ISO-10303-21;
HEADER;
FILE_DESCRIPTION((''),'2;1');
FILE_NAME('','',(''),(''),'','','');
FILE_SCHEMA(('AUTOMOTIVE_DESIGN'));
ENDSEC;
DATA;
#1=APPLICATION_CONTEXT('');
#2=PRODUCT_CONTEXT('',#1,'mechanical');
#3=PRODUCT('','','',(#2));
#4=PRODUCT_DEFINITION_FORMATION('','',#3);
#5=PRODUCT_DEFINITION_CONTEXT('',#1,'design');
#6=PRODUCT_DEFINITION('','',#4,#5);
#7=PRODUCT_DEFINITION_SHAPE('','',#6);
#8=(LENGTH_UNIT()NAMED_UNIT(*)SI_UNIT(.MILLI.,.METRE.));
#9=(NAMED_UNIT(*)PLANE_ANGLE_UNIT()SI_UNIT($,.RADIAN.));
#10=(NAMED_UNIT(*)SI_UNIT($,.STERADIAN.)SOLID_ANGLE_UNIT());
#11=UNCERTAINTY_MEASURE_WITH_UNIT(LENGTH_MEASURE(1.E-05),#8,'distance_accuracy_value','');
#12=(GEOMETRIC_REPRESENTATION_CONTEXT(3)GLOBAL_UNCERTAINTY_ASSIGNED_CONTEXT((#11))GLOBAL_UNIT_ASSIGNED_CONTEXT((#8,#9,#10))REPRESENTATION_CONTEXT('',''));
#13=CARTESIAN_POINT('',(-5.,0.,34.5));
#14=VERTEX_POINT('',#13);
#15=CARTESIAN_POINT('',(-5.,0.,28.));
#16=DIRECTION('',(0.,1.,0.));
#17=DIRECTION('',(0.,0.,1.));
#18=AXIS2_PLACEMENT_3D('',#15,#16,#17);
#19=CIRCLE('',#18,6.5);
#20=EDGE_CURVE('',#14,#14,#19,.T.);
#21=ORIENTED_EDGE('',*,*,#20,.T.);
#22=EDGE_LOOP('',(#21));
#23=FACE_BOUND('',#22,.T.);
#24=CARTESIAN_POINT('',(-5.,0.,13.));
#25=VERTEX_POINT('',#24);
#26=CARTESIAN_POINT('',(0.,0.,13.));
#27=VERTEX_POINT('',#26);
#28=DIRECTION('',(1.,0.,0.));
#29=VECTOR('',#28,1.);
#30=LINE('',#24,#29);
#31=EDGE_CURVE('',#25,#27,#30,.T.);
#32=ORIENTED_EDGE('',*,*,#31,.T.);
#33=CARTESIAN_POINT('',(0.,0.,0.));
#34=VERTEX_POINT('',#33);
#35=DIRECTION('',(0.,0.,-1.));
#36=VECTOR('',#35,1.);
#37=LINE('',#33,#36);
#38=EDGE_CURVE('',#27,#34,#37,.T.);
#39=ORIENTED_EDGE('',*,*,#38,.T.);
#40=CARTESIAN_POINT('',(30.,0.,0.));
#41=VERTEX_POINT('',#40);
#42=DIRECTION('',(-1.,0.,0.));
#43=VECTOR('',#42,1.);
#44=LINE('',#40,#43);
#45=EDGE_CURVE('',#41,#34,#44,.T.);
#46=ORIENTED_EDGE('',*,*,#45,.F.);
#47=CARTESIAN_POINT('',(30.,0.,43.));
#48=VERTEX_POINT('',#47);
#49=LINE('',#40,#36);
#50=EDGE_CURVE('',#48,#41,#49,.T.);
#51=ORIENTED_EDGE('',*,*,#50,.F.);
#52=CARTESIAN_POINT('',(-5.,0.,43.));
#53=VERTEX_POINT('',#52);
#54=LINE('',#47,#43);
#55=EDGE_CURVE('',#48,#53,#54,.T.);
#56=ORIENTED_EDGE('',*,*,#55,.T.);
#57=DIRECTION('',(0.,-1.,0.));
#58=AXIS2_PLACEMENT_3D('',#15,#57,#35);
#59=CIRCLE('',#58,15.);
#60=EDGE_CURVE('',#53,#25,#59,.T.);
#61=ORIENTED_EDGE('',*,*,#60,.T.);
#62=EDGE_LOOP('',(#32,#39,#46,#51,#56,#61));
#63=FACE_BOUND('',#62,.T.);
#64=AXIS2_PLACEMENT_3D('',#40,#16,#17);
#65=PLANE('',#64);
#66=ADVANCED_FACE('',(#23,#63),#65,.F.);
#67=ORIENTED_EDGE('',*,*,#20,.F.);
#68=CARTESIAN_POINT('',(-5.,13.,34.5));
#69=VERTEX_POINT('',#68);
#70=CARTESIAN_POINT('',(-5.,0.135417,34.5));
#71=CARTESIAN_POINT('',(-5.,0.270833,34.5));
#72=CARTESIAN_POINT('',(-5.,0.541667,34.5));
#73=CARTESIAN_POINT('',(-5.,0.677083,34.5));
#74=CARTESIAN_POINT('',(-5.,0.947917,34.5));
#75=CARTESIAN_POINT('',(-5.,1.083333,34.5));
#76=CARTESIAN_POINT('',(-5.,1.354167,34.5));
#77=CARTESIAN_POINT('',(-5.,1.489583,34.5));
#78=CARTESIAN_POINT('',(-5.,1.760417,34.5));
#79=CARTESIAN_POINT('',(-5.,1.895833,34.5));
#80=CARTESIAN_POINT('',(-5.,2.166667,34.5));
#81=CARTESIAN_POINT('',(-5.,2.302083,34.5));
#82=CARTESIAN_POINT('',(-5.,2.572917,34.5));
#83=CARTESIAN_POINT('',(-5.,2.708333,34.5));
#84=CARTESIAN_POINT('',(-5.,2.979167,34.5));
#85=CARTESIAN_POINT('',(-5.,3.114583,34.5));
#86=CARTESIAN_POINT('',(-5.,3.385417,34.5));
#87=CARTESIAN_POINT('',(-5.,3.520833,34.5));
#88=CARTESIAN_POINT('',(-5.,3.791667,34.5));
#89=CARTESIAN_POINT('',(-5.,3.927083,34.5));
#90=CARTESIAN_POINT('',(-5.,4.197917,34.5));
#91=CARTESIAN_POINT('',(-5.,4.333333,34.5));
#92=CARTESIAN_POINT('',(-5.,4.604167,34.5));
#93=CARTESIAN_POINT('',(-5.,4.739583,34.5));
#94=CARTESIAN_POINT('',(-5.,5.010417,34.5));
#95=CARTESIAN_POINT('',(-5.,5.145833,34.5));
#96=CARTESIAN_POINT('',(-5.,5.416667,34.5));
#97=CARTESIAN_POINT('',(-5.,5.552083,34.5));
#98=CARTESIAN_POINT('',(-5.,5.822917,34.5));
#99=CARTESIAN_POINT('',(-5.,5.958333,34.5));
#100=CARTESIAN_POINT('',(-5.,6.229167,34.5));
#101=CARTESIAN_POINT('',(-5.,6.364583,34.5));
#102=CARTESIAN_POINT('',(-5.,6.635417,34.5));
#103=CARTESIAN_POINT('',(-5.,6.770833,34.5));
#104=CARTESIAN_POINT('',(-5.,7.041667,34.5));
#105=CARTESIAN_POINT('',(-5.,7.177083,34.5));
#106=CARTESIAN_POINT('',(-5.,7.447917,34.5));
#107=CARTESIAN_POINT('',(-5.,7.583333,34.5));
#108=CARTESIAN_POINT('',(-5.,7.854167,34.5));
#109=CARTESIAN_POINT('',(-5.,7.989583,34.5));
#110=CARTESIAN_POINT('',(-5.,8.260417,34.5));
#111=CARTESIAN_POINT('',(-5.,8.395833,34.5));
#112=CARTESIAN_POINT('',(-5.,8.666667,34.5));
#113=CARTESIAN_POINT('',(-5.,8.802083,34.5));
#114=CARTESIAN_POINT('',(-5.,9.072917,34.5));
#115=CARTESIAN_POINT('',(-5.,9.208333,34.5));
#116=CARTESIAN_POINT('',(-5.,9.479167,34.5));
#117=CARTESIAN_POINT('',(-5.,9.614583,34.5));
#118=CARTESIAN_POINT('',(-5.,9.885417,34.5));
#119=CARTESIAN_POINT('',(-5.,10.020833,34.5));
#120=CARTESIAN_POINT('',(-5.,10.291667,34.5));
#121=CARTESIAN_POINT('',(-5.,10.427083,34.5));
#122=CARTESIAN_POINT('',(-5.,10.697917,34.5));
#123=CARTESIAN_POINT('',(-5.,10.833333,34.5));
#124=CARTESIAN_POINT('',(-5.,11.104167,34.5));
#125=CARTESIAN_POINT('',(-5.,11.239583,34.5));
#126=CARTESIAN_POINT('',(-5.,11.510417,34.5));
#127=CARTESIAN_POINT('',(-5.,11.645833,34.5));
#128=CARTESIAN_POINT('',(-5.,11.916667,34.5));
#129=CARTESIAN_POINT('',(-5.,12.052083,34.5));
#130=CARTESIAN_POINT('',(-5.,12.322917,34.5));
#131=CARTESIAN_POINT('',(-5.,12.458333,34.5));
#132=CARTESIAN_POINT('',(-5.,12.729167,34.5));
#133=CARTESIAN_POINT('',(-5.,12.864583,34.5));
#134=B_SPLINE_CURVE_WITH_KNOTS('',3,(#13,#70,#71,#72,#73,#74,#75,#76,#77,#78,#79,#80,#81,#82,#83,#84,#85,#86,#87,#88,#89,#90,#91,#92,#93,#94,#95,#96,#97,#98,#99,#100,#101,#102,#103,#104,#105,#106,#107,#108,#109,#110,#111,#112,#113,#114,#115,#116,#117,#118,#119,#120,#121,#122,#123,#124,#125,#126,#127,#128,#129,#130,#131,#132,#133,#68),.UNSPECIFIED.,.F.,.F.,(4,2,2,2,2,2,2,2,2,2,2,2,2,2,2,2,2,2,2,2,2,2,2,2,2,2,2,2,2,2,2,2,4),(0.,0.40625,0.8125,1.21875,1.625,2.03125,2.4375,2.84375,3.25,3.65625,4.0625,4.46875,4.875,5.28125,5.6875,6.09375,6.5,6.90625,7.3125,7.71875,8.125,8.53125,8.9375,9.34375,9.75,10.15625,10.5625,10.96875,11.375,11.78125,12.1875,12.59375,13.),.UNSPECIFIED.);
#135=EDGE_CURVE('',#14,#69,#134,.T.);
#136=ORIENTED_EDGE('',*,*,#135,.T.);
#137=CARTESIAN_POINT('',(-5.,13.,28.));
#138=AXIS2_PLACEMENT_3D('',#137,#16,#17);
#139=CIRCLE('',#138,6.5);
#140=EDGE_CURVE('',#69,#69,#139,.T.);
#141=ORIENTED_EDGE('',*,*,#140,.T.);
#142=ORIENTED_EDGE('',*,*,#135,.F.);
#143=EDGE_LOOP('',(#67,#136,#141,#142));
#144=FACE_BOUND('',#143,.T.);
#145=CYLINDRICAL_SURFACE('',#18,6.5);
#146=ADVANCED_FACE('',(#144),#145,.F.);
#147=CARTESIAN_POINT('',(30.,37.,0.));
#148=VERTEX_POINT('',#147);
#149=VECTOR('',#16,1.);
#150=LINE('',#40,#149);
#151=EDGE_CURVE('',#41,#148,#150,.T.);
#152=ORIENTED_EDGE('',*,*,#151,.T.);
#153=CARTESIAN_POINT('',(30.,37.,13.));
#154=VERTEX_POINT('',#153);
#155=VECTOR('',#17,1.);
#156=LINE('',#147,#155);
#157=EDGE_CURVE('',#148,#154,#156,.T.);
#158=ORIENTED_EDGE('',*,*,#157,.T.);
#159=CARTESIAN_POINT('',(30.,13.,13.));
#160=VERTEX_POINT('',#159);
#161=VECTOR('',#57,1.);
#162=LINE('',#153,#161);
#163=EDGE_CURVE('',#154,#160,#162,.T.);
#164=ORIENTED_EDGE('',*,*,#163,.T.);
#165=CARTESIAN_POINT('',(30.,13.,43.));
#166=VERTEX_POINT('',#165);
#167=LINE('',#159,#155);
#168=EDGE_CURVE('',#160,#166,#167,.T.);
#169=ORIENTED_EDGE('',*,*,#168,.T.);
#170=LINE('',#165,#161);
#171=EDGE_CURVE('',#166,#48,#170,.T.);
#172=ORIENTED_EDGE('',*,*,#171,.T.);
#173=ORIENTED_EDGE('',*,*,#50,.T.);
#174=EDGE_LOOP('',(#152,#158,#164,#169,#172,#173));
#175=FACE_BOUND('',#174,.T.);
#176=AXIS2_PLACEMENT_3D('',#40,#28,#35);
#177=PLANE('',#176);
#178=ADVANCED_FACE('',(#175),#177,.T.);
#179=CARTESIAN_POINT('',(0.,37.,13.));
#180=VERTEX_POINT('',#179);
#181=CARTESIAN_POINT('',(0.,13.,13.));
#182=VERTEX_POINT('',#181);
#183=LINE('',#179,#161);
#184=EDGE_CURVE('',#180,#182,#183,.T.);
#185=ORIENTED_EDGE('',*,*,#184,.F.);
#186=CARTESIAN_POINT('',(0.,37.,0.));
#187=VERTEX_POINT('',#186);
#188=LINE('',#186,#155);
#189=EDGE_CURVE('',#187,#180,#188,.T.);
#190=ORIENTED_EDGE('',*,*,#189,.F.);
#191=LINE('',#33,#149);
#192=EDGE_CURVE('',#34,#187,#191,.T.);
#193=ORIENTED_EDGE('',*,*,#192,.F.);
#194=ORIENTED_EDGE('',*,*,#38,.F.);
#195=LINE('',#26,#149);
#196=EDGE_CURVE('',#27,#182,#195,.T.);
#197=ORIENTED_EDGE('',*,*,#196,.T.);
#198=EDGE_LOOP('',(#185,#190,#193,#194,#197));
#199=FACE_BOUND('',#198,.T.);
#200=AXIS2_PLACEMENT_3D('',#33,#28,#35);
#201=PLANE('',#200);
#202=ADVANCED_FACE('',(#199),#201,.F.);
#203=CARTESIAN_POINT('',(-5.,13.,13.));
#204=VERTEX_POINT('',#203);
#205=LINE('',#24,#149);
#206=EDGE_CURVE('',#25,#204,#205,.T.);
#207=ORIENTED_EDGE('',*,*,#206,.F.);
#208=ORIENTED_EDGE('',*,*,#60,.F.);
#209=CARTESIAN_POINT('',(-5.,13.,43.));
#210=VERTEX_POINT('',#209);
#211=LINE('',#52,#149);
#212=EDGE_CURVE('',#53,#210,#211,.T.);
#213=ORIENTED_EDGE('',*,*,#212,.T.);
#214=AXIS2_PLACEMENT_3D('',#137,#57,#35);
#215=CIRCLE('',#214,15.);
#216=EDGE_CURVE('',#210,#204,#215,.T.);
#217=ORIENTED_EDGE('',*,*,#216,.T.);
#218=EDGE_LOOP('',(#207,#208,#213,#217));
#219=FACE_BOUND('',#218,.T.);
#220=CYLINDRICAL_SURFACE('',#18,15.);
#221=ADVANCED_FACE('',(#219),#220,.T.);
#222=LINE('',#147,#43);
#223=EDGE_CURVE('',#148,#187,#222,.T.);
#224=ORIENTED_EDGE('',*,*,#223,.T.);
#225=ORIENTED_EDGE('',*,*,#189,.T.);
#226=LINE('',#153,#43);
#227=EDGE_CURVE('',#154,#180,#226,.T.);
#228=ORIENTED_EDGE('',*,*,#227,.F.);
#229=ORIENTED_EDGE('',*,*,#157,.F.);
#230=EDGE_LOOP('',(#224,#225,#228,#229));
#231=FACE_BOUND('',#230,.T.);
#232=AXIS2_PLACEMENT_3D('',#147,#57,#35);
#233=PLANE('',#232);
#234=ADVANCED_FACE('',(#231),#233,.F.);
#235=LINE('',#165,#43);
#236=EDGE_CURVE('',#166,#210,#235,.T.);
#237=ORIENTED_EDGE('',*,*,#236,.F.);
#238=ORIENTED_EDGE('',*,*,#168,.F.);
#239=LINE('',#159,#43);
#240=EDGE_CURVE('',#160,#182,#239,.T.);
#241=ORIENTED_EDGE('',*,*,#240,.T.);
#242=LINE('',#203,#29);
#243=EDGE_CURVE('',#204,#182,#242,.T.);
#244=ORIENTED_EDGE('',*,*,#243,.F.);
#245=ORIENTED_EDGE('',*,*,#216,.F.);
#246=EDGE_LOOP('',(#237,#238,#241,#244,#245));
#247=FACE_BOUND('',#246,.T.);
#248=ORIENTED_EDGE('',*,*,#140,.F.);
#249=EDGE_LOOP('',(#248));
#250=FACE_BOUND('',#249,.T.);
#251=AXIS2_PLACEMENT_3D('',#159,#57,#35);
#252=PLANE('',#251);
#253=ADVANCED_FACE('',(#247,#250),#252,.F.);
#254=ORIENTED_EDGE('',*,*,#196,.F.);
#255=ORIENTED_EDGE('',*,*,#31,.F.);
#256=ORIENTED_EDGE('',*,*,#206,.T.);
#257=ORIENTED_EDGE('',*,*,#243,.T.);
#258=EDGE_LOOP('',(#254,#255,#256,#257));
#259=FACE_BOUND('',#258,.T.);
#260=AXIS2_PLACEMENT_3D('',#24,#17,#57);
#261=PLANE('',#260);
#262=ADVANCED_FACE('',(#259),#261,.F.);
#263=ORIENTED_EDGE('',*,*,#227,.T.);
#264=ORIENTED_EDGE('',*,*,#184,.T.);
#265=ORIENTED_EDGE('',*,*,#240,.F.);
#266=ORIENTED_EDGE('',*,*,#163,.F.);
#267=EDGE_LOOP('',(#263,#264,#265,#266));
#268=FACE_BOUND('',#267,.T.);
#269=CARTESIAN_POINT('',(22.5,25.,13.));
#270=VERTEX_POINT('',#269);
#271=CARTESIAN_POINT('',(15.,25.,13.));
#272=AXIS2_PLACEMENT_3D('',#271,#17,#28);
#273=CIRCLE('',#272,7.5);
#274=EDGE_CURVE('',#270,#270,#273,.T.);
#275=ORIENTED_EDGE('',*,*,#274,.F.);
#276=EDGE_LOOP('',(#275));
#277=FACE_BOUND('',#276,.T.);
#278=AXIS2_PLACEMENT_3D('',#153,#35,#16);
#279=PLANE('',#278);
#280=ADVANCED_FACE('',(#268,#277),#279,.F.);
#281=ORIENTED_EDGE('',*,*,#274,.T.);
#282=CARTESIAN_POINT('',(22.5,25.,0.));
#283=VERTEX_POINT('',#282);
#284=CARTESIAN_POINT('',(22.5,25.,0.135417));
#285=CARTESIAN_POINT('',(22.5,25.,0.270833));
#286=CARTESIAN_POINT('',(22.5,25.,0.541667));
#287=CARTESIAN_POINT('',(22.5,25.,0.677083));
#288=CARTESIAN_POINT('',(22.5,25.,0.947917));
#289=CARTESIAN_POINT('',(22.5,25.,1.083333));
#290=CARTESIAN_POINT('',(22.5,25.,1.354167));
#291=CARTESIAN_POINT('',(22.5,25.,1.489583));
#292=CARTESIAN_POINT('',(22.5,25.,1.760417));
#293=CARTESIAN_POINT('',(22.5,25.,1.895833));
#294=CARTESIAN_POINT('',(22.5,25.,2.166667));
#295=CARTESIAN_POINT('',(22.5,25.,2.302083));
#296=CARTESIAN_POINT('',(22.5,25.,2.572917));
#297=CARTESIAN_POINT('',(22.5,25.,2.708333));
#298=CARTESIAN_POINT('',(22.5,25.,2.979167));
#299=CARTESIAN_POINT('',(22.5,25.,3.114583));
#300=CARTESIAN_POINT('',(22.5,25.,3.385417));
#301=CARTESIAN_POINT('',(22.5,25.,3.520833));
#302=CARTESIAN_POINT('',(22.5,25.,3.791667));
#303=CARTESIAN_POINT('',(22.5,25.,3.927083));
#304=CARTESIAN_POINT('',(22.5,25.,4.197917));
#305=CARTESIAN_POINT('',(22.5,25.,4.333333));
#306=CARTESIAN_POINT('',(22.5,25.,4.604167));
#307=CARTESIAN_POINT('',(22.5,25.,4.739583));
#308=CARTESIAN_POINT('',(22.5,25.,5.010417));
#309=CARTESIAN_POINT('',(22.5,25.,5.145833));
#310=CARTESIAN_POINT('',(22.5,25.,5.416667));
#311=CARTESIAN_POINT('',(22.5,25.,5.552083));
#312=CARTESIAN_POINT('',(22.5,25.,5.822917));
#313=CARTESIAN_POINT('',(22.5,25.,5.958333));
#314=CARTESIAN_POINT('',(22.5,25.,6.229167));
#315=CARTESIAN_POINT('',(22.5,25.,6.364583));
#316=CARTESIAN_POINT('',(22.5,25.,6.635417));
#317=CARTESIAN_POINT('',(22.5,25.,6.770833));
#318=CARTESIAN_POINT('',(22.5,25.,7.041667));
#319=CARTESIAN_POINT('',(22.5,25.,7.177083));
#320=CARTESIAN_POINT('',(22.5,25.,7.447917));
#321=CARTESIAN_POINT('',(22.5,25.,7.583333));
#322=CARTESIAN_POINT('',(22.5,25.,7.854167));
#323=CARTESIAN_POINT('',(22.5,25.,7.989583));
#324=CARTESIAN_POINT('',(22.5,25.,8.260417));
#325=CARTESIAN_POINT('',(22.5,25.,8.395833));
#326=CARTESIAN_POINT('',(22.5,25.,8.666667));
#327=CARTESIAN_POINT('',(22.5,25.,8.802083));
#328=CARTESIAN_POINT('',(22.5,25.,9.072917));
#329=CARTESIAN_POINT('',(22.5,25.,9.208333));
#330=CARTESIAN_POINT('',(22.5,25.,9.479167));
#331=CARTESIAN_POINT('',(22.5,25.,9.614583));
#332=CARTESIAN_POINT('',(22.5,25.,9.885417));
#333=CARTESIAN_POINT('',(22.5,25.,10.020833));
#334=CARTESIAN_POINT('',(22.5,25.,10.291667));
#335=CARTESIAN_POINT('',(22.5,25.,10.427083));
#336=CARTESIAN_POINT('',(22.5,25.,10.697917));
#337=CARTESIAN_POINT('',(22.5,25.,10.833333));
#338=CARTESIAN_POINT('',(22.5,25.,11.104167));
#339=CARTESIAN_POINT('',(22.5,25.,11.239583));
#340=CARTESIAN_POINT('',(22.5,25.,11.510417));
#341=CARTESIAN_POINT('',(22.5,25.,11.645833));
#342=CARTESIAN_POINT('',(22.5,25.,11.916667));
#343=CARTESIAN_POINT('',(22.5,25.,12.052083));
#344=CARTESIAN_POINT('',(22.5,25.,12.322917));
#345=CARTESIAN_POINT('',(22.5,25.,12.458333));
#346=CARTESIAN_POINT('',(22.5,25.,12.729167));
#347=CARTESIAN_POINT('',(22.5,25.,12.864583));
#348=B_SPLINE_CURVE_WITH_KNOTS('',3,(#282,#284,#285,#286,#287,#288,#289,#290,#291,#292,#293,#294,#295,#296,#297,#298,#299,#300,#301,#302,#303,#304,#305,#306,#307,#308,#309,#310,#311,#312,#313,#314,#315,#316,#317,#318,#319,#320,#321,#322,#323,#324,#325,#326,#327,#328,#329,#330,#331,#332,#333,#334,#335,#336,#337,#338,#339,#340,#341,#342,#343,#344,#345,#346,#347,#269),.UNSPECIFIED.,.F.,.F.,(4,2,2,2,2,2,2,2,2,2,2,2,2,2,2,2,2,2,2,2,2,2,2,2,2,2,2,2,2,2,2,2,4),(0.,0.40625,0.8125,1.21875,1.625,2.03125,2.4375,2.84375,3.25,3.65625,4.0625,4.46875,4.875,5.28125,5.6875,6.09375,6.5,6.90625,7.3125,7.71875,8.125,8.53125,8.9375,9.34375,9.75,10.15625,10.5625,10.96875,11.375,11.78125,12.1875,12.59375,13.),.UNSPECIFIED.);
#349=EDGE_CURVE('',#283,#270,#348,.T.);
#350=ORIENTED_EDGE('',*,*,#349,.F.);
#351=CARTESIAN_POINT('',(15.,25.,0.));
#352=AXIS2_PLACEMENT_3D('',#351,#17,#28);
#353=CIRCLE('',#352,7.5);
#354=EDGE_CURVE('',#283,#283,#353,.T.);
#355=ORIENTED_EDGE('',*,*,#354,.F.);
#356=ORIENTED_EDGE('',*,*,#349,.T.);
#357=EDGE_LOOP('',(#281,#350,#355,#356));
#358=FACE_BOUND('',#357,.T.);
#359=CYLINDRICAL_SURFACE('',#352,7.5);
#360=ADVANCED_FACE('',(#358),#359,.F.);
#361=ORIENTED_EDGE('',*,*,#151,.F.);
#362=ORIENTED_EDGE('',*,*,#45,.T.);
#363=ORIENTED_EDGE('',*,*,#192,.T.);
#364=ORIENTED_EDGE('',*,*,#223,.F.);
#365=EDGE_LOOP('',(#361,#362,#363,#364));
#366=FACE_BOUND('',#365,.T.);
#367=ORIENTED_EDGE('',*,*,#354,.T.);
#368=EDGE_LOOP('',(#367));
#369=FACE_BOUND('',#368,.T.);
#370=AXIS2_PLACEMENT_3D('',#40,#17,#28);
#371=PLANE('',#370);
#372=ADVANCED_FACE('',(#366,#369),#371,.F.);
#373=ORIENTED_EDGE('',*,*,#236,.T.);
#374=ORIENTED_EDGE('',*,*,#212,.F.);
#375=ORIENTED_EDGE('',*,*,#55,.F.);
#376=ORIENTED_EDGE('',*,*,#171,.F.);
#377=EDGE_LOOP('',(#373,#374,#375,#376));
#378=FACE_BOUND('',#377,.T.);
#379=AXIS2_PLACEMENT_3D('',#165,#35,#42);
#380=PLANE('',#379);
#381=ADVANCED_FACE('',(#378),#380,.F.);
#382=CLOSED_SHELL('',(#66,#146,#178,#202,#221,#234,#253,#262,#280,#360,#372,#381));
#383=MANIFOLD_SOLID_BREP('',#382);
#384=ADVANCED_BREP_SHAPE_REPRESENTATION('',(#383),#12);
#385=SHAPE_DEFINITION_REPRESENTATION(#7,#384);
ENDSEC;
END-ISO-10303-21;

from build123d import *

# Parameters (mm, degrees)
BOSS_EXTRUDE3_DEPTH = 30
BOSS_EXTRUDE5_DEPTH = 13
SKETCH6_R           = 6.5
CUT_EXTRUDE1_DEPTH  = 13
SKETCH7_R           = 7.5
CUT_EXTRUDE2_DEPTH  = 13


with BuildPart() as part:
    # Sketch2 → Boss-Extrude3 (new body)
    with BuildSketch(Plane(origin=(0, 0, 0), x_dir=(0, 0, -1), z_dir=(1, 0, 0))):
        Polygon((0, 0), (0, 37), (-13, 37), (-13, 13), (-43, 13), (-43, 0), align=None)
    extrude(amount=BOSS_EXTRUDE3_DEPTH)

    # Sketch4 → Boss-Extrude5 (add)
    with BuildSketch(Plane(origin=(0, 13, 0), x_dir=(1, 0, 0), z_dir=(0, 1, 0))):
        with BuildLine():
            Line((0, -13), (0, -43))
            Line((0, -43), (-5, -43))
            ThreePointArc((-5, -43), (-20, -28), (-5, -13))
            Line((-5, -13), (0, -13))
        make_face()
    extrude(amount=-BOSS_EXTRUDE5_DEPTH)

    # Sketch6 → Cut-Extrude1 (cut)
    with BuildSketch(Plane(origin=(0, 13, 0), x_dir=(1, 0, 0), z_dir=(0, 1, 0))):
        with Locations(Location((-5, -28, 0), (0, 0, 270))):
            Circle(SKETCH6_R)
    extrude(amount=-CUT_EXTRUDE1_DEPTH, mode=Mode.SUBTRACT)

    # Sketch7 → Cut-Extrude2 (cut)
    with BuildSketch(Plane.XY.offset(13)):
        with Locations((15, 25)):
            Circle(SKETCH7_R)
    extrude(amount=-CUT_EXTRUDE2_DEPTH, mode=Mode.SUBTRACT)


solid = part.part
